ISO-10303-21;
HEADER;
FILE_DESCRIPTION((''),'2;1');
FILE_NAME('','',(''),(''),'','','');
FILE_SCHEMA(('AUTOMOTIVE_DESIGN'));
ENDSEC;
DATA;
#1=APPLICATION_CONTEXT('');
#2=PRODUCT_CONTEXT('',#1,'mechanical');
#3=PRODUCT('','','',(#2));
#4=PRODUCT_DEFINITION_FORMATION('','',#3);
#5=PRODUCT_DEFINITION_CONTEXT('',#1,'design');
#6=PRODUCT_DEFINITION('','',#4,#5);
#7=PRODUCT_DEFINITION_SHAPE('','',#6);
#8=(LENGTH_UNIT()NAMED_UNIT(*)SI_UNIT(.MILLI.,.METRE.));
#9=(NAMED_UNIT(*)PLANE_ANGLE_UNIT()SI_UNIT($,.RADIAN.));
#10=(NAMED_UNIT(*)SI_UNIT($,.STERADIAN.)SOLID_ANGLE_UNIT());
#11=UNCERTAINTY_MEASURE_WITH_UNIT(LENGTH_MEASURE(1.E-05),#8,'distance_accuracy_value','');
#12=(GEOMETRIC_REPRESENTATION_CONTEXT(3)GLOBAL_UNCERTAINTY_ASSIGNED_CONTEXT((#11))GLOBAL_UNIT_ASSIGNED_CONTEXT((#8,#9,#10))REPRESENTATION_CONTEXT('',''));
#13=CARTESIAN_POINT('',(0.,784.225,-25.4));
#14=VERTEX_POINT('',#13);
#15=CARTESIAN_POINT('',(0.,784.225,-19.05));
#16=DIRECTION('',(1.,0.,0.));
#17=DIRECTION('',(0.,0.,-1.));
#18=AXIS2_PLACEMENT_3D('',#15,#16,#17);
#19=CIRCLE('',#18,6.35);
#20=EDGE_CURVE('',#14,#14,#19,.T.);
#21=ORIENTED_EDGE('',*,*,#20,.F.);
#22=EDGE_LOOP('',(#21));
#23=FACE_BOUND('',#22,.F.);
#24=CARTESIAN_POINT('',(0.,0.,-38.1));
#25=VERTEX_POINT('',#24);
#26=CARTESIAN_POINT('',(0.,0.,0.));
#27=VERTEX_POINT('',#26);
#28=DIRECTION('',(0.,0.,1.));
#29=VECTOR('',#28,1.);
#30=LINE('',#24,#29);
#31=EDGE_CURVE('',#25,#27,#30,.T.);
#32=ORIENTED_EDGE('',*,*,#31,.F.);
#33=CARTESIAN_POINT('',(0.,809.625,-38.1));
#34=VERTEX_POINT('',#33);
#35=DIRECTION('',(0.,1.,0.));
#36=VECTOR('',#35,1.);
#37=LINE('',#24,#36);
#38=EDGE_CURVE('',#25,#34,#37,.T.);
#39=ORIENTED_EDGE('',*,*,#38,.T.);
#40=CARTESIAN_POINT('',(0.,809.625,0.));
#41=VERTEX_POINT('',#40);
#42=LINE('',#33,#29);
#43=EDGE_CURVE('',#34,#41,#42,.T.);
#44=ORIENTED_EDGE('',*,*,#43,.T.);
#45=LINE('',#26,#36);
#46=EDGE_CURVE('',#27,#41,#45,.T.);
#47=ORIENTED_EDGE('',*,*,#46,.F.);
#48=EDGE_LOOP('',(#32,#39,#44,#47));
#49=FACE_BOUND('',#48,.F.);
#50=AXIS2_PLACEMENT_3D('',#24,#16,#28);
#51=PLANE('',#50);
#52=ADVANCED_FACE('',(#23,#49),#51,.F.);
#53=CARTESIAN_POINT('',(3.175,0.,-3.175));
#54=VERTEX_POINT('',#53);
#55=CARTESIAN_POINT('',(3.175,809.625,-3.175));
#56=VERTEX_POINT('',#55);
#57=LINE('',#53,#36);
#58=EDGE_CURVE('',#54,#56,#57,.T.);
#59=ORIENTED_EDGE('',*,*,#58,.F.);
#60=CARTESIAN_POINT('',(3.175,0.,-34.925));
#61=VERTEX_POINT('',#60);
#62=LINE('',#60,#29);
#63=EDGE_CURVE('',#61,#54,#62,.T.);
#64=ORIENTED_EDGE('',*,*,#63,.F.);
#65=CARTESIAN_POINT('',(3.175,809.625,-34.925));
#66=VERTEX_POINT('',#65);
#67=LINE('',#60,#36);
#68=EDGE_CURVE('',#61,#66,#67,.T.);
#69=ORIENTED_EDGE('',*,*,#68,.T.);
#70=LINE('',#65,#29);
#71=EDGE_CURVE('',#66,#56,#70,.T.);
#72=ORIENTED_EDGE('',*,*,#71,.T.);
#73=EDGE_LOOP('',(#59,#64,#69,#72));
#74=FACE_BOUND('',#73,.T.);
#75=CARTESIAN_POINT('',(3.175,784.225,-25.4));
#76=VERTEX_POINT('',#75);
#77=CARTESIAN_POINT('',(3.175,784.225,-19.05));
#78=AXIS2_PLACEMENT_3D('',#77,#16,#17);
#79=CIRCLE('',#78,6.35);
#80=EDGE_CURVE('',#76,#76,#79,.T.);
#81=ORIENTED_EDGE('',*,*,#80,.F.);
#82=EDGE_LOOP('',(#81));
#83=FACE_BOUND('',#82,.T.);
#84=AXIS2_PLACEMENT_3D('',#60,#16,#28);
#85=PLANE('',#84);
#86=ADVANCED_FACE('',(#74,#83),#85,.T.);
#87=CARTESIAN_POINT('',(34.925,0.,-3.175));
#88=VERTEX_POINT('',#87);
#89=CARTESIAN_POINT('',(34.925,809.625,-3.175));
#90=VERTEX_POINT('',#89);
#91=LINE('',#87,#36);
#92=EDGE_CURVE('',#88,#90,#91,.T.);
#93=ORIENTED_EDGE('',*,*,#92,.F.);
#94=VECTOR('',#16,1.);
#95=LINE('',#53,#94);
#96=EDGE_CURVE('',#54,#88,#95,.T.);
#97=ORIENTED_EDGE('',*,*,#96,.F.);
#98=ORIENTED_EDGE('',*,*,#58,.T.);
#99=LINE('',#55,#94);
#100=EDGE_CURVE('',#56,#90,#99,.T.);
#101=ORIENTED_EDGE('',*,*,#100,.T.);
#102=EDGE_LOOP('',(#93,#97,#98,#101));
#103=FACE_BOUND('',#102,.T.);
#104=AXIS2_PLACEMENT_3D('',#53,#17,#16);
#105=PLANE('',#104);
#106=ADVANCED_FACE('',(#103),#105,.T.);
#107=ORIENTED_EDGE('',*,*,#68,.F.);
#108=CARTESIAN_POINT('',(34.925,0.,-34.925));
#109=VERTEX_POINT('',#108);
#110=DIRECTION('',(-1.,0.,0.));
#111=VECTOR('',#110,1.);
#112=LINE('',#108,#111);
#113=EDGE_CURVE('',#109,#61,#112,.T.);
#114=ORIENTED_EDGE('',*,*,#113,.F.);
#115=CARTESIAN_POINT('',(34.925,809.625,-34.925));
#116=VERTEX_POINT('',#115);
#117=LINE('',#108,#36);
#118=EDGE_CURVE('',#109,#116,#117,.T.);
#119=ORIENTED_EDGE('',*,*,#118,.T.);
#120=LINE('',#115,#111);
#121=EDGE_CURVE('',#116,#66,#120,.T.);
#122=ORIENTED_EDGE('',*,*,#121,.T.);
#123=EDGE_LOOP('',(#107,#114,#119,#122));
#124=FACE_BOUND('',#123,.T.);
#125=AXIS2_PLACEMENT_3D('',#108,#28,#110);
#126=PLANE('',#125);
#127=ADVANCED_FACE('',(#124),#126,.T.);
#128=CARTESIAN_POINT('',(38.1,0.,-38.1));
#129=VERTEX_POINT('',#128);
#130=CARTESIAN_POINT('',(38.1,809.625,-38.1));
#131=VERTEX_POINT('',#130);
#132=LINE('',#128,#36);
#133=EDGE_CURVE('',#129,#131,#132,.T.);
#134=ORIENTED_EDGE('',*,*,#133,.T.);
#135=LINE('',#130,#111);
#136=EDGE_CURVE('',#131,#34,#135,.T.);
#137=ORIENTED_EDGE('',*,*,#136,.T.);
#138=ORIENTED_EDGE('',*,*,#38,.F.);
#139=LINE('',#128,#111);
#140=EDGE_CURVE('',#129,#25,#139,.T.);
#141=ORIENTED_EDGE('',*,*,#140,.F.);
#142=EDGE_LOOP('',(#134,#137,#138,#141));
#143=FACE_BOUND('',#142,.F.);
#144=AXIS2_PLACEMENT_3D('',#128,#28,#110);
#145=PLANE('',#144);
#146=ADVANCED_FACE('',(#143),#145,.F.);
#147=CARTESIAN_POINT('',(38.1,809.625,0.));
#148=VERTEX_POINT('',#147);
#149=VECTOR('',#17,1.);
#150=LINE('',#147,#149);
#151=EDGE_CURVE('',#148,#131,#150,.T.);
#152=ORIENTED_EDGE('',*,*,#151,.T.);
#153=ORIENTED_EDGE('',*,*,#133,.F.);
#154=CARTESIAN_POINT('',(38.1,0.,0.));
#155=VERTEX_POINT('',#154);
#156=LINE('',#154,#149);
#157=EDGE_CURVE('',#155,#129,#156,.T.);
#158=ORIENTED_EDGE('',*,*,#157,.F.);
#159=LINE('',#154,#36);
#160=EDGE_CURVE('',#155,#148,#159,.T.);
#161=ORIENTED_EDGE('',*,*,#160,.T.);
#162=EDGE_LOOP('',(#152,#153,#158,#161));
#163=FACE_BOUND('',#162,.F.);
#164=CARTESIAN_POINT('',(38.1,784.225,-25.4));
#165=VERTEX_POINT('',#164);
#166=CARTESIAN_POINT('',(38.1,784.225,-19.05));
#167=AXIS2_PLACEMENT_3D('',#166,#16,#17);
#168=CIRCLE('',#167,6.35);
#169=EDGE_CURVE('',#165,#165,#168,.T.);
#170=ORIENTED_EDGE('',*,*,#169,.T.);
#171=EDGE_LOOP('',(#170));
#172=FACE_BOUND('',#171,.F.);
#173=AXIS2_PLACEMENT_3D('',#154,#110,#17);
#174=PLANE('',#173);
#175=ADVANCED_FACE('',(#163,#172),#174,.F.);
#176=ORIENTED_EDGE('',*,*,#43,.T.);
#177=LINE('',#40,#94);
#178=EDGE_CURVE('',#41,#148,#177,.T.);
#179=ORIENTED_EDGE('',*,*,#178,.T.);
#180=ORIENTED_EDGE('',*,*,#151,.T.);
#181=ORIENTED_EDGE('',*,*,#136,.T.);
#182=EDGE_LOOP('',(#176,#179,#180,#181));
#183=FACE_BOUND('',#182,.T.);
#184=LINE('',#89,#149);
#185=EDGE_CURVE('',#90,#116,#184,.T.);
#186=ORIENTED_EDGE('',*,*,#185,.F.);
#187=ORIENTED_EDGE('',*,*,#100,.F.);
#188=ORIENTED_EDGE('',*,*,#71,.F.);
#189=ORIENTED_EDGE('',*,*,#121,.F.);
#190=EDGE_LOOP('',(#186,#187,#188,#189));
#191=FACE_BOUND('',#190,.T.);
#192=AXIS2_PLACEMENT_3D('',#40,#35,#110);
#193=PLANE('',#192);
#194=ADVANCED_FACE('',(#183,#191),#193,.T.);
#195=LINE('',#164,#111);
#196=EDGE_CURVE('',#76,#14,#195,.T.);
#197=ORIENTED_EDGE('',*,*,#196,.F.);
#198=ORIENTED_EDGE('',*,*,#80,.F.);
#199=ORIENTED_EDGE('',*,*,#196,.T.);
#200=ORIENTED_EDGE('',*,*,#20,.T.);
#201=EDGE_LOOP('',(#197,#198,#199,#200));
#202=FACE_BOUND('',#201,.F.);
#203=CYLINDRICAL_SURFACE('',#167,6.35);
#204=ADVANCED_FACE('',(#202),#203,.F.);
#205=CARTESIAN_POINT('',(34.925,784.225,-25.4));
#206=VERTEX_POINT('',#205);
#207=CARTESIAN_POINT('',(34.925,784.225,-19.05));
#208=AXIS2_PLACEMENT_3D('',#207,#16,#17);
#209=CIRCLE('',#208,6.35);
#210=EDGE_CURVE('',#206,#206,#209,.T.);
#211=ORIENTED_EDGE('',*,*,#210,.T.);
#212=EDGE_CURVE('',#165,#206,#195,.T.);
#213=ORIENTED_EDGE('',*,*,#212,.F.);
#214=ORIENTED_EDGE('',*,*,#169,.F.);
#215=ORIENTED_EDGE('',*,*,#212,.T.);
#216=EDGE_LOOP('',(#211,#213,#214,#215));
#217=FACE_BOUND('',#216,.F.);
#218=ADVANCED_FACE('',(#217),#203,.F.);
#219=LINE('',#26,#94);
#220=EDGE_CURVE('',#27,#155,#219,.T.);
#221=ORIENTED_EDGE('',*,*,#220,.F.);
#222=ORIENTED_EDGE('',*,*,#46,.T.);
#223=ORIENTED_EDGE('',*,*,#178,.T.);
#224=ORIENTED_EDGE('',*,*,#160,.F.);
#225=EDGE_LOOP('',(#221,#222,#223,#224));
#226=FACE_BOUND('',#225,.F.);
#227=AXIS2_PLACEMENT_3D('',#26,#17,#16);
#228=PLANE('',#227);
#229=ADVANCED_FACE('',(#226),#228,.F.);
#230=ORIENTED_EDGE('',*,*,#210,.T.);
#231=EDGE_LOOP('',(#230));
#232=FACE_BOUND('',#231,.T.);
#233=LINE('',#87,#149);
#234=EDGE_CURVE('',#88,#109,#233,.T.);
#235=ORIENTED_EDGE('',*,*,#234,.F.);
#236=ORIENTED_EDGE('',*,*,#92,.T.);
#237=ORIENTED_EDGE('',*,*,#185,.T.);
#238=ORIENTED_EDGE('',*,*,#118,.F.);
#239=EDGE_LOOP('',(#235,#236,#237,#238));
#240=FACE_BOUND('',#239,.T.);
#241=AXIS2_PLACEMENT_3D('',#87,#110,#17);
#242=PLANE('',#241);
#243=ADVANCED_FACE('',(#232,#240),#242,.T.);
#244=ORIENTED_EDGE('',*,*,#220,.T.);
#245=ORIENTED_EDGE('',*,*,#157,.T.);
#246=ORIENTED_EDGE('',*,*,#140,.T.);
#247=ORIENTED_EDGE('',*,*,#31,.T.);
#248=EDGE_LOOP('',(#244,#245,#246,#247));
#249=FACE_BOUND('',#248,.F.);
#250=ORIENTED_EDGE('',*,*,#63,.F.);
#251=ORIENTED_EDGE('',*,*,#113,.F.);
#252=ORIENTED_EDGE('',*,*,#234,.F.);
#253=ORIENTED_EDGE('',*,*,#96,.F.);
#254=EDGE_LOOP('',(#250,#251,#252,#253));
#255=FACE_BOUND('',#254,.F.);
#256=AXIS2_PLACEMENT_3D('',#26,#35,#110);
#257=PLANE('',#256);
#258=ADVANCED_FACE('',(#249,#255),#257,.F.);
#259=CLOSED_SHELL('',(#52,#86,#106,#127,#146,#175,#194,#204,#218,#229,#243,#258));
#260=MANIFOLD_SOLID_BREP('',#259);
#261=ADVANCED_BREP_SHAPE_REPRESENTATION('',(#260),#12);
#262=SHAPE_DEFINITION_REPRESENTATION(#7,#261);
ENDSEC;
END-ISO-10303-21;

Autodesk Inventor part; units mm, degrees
ref_plane "YZ Plane" through (0, 0, 0) normal (1, 0, 0) x (0, 1, 0)
ref_plane "XZ Plane" through (0, 0, 0) normal (0, 1, 0) x (-1, 0, 0)
ref_plane "XY Plane" through (0, 0, 0) normal (0, 0, 1) x (1, 0, 0)
sketch "Sketch1" plane through (0, 0, 0) normal (0, 1, 0) x (-1, 0, 0)
  line L0 (0, 0) -> (-38.1, 0)
  line L1 (-38.1, 0) -> (-38.1, -38.1)
  line L2 (-38.1, -38.1) -> (0, -38.1)
  line L3 (0, -38.1) -> (0, 0)
  line L4 (-3.175, -3.175) -> (-34.925, -3.175)
  line L5 (-34.925, -3.175) -> (-34.925, -34.925)
  line L6 (-34.925, -34.925) -> (-3.175, -34.925)
  line L7 (-3.175, -34.925) -> (-3.175, -3.175)
  dimension "d0" = 38.1
  dimension "d1" = 38.1
  dimension "d2" = 3.175
extrude "Extrusion1" add sketch "Sketch1" along normal blind 809.625
sketch "Sketch2" plane through (38.1, 0, 0) normal (1, 0, 0) x (0, 0, -1)
  circle A0 centre (19.05, 784.225) radius 6.35
  line L0 (0, 809.625) -> (38.1, 809.625) projected
  point P0 (0, 0)
  dimension "d5" = 12.7
  dimension "d6" = 25.4
extrude "Extrusion2" cut sketch "Sketch2" against normal through all
properties part number "Pivot point Support"
